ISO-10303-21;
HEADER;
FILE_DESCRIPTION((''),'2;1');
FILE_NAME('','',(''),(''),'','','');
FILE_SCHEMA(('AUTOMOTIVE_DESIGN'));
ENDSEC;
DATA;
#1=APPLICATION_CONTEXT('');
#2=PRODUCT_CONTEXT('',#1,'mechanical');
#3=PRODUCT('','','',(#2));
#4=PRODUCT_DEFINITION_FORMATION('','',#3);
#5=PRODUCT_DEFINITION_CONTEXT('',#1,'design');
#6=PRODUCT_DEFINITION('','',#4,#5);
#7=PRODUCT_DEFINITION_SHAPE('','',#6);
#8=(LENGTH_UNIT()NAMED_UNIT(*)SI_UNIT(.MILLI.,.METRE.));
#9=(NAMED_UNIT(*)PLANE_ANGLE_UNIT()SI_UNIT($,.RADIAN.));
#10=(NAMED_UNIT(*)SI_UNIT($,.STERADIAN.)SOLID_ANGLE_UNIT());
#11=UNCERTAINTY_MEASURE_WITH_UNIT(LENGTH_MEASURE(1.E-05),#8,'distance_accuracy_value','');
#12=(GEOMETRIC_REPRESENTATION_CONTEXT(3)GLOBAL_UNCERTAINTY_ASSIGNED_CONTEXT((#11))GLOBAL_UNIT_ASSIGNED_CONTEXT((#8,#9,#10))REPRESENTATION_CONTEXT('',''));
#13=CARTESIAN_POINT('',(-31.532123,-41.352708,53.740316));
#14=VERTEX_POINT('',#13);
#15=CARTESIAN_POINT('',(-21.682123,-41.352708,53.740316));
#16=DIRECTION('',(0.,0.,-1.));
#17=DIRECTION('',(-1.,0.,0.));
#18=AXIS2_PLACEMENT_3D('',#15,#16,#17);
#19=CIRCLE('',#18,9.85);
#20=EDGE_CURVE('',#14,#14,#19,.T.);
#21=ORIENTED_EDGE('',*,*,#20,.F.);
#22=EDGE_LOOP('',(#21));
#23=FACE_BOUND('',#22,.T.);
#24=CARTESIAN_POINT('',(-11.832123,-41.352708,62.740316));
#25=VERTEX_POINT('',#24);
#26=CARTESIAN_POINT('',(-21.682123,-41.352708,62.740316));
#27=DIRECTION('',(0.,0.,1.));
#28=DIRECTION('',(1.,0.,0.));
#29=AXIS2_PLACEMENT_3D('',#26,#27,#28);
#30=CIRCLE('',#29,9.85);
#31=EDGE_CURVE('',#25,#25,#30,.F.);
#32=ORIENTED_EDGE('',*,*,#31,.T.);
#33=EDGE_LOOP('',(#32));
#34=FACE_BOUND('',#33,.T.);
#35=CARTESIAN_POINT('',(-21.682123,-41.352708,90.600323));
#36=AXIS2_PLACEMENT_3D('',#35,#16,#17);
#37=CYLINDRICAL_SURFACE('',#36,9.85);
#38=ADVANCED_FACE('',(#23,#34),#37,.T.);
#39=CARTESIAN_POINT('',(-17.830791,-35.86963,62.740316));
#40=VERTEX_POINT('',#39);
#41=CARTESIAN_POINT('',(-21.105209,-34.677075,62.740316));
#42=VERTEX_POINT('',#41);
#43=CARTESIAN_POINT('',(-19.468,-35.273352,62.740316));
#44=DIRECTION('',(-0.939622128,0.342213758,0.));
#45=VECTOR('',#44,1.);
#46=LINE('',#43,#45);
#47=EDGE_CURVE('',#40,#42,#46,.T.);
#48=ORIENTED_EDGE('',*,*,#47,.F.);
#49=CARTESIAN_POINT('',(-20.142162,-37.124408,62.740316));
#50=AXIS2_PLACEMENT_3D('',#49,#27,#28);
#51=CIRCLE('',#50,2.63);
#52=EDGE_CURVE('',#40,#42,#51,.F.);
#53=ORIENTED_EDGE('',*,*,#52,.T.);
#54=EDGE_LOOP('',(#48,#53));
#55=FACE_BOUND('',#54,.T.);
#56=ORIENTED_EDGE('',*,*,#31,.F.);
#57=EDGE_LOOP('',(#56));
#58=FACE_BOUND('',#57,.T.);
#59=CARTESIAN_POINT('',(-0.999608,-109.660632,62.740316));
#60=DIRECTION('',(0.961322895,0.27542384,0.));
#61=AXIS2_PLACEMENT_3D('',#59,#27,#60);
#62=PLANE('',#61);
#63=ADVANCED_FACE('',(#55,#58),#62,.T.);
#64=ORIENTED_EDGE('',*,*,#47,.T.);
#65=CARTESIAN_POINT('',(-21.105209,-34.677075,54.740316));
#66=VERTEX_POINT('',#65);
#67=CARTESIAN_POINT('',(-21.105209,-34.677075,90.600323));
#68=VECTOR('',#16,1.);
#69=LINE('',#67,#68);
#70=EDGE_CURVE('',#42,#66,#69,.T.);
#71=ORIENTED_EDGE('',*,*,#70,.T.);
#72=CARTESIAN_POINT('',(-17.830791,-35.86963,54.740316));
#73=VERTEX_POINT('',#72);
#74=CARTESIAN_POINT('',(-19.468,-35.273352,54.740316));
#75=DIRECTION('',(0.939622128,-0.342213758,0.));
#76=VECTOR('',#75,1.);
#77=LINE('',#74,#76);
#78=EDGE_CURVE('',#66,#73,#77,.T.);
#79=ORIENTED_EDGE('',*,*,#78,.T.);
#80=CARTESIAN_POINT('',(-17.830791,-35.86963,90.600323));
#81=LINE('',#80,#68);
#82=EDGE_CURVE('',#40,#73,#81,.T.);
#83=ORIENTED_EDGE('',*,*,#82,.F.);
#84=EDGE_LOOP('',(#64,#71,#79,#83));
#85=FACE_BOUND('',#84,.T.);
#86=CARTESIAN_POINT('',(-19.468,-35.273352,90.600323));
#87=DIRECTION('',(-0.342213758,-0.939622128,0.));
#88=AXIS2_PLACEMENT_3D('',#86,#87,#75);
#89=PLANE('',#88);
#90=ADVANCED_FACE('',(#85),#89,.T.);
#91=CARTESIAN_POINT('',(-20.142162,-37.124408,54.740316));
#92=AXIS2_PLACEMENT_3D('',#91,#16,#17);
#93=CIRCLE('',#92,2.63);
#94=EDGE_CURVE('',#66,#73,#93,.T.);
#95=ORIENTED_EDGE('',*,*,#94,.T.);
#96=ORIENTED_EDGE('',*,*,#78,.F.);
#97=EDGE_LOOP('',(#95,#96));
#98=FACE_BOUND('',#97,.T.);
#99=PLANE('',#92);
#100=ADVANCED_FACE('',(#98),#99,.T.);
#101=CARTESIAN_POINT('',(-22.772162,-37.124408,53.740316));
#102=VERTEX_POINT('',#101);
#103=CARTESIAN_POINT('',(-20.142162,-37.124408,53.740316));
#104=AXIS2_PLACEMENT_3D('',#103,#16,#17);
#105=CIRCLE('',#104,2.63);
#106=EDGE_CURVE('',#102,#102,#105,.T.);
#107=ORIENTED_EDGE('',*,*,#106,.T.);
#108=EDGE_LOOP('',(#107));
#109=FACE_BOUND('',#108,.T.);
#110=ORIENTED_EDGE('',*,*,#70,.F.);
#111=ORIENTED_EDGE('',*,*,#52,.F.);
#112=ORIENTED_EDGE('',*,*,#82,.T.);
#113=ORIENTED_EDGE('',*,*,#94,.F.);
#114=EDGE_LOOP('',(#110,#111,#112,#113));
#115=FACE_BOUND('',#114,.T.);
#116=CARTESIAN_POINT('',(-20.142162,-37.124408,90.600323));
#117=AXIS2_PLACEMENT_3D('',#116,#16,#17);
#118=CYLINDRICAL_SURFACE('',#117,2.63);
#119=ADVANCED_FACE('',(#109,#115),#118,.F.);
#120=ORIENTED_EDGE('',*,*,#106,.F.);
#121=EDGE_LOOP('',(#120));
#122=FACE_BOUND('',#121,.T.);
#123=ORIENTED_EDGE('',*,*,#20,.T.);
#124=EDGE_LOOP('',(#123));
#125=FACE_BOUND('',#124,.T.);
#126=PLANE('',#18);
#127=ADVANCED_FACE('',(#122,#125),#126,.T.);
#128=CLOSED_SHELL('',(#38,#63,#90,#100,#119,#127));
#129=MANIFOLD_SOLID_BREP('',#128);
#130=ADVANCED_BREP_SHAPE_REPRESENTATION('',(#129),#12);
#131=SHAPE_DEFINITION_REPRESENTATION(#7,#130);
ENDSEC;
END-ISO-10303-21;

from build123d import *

# Parameters (mm, degrees)
BOSS_EXTRUDE1_START = 53.740316
SKETCH1_R           = 9.85
BOSS_EXTRUDE1_DEPTH = 9
CUT_EXTRUDE1_START  = -9
SKETCH2_R           = 2.63
CUT_EXTRUDE1_DEPTH  = 1


with BuildPart() as part:
    # Sketch1 → Boss-Extrude1 (new body)
    with BuildSketch(Plane.XY.offset(BOSS_EXTRUDE1_START)):
        with Locations((-21.682123493, -41.352707657)):
            Circle(SKETCH1_R)
        with BuildLine():
            Line((-21.105209467, -34.677075087), (-17.830791495, -35.869629886))
            ThreePointArc((-17.830791495, -35.869629886), (-21.042183766, -39.595614277), (-21.105209467, -34.677075087))
        make_face(mode=Mode.SUBTRACT)
    extrude(amount=BOSS_EXTRUDE1_DEPTH)

    # Sketch2 → Cut-Extrude1 (cut)
    with BuildSketch(Plane.XY.offset(62.740315649).offset(CUT_EXTRUDE1_START)):
        with Locations((-20.142161583, -37.124408079)):
            Circle(SKETCH2_R)
    extrude(amount=CUT_EXTRUDE1_DEPTH, mode=Mode.SUBTRACT)


solid = part.part
